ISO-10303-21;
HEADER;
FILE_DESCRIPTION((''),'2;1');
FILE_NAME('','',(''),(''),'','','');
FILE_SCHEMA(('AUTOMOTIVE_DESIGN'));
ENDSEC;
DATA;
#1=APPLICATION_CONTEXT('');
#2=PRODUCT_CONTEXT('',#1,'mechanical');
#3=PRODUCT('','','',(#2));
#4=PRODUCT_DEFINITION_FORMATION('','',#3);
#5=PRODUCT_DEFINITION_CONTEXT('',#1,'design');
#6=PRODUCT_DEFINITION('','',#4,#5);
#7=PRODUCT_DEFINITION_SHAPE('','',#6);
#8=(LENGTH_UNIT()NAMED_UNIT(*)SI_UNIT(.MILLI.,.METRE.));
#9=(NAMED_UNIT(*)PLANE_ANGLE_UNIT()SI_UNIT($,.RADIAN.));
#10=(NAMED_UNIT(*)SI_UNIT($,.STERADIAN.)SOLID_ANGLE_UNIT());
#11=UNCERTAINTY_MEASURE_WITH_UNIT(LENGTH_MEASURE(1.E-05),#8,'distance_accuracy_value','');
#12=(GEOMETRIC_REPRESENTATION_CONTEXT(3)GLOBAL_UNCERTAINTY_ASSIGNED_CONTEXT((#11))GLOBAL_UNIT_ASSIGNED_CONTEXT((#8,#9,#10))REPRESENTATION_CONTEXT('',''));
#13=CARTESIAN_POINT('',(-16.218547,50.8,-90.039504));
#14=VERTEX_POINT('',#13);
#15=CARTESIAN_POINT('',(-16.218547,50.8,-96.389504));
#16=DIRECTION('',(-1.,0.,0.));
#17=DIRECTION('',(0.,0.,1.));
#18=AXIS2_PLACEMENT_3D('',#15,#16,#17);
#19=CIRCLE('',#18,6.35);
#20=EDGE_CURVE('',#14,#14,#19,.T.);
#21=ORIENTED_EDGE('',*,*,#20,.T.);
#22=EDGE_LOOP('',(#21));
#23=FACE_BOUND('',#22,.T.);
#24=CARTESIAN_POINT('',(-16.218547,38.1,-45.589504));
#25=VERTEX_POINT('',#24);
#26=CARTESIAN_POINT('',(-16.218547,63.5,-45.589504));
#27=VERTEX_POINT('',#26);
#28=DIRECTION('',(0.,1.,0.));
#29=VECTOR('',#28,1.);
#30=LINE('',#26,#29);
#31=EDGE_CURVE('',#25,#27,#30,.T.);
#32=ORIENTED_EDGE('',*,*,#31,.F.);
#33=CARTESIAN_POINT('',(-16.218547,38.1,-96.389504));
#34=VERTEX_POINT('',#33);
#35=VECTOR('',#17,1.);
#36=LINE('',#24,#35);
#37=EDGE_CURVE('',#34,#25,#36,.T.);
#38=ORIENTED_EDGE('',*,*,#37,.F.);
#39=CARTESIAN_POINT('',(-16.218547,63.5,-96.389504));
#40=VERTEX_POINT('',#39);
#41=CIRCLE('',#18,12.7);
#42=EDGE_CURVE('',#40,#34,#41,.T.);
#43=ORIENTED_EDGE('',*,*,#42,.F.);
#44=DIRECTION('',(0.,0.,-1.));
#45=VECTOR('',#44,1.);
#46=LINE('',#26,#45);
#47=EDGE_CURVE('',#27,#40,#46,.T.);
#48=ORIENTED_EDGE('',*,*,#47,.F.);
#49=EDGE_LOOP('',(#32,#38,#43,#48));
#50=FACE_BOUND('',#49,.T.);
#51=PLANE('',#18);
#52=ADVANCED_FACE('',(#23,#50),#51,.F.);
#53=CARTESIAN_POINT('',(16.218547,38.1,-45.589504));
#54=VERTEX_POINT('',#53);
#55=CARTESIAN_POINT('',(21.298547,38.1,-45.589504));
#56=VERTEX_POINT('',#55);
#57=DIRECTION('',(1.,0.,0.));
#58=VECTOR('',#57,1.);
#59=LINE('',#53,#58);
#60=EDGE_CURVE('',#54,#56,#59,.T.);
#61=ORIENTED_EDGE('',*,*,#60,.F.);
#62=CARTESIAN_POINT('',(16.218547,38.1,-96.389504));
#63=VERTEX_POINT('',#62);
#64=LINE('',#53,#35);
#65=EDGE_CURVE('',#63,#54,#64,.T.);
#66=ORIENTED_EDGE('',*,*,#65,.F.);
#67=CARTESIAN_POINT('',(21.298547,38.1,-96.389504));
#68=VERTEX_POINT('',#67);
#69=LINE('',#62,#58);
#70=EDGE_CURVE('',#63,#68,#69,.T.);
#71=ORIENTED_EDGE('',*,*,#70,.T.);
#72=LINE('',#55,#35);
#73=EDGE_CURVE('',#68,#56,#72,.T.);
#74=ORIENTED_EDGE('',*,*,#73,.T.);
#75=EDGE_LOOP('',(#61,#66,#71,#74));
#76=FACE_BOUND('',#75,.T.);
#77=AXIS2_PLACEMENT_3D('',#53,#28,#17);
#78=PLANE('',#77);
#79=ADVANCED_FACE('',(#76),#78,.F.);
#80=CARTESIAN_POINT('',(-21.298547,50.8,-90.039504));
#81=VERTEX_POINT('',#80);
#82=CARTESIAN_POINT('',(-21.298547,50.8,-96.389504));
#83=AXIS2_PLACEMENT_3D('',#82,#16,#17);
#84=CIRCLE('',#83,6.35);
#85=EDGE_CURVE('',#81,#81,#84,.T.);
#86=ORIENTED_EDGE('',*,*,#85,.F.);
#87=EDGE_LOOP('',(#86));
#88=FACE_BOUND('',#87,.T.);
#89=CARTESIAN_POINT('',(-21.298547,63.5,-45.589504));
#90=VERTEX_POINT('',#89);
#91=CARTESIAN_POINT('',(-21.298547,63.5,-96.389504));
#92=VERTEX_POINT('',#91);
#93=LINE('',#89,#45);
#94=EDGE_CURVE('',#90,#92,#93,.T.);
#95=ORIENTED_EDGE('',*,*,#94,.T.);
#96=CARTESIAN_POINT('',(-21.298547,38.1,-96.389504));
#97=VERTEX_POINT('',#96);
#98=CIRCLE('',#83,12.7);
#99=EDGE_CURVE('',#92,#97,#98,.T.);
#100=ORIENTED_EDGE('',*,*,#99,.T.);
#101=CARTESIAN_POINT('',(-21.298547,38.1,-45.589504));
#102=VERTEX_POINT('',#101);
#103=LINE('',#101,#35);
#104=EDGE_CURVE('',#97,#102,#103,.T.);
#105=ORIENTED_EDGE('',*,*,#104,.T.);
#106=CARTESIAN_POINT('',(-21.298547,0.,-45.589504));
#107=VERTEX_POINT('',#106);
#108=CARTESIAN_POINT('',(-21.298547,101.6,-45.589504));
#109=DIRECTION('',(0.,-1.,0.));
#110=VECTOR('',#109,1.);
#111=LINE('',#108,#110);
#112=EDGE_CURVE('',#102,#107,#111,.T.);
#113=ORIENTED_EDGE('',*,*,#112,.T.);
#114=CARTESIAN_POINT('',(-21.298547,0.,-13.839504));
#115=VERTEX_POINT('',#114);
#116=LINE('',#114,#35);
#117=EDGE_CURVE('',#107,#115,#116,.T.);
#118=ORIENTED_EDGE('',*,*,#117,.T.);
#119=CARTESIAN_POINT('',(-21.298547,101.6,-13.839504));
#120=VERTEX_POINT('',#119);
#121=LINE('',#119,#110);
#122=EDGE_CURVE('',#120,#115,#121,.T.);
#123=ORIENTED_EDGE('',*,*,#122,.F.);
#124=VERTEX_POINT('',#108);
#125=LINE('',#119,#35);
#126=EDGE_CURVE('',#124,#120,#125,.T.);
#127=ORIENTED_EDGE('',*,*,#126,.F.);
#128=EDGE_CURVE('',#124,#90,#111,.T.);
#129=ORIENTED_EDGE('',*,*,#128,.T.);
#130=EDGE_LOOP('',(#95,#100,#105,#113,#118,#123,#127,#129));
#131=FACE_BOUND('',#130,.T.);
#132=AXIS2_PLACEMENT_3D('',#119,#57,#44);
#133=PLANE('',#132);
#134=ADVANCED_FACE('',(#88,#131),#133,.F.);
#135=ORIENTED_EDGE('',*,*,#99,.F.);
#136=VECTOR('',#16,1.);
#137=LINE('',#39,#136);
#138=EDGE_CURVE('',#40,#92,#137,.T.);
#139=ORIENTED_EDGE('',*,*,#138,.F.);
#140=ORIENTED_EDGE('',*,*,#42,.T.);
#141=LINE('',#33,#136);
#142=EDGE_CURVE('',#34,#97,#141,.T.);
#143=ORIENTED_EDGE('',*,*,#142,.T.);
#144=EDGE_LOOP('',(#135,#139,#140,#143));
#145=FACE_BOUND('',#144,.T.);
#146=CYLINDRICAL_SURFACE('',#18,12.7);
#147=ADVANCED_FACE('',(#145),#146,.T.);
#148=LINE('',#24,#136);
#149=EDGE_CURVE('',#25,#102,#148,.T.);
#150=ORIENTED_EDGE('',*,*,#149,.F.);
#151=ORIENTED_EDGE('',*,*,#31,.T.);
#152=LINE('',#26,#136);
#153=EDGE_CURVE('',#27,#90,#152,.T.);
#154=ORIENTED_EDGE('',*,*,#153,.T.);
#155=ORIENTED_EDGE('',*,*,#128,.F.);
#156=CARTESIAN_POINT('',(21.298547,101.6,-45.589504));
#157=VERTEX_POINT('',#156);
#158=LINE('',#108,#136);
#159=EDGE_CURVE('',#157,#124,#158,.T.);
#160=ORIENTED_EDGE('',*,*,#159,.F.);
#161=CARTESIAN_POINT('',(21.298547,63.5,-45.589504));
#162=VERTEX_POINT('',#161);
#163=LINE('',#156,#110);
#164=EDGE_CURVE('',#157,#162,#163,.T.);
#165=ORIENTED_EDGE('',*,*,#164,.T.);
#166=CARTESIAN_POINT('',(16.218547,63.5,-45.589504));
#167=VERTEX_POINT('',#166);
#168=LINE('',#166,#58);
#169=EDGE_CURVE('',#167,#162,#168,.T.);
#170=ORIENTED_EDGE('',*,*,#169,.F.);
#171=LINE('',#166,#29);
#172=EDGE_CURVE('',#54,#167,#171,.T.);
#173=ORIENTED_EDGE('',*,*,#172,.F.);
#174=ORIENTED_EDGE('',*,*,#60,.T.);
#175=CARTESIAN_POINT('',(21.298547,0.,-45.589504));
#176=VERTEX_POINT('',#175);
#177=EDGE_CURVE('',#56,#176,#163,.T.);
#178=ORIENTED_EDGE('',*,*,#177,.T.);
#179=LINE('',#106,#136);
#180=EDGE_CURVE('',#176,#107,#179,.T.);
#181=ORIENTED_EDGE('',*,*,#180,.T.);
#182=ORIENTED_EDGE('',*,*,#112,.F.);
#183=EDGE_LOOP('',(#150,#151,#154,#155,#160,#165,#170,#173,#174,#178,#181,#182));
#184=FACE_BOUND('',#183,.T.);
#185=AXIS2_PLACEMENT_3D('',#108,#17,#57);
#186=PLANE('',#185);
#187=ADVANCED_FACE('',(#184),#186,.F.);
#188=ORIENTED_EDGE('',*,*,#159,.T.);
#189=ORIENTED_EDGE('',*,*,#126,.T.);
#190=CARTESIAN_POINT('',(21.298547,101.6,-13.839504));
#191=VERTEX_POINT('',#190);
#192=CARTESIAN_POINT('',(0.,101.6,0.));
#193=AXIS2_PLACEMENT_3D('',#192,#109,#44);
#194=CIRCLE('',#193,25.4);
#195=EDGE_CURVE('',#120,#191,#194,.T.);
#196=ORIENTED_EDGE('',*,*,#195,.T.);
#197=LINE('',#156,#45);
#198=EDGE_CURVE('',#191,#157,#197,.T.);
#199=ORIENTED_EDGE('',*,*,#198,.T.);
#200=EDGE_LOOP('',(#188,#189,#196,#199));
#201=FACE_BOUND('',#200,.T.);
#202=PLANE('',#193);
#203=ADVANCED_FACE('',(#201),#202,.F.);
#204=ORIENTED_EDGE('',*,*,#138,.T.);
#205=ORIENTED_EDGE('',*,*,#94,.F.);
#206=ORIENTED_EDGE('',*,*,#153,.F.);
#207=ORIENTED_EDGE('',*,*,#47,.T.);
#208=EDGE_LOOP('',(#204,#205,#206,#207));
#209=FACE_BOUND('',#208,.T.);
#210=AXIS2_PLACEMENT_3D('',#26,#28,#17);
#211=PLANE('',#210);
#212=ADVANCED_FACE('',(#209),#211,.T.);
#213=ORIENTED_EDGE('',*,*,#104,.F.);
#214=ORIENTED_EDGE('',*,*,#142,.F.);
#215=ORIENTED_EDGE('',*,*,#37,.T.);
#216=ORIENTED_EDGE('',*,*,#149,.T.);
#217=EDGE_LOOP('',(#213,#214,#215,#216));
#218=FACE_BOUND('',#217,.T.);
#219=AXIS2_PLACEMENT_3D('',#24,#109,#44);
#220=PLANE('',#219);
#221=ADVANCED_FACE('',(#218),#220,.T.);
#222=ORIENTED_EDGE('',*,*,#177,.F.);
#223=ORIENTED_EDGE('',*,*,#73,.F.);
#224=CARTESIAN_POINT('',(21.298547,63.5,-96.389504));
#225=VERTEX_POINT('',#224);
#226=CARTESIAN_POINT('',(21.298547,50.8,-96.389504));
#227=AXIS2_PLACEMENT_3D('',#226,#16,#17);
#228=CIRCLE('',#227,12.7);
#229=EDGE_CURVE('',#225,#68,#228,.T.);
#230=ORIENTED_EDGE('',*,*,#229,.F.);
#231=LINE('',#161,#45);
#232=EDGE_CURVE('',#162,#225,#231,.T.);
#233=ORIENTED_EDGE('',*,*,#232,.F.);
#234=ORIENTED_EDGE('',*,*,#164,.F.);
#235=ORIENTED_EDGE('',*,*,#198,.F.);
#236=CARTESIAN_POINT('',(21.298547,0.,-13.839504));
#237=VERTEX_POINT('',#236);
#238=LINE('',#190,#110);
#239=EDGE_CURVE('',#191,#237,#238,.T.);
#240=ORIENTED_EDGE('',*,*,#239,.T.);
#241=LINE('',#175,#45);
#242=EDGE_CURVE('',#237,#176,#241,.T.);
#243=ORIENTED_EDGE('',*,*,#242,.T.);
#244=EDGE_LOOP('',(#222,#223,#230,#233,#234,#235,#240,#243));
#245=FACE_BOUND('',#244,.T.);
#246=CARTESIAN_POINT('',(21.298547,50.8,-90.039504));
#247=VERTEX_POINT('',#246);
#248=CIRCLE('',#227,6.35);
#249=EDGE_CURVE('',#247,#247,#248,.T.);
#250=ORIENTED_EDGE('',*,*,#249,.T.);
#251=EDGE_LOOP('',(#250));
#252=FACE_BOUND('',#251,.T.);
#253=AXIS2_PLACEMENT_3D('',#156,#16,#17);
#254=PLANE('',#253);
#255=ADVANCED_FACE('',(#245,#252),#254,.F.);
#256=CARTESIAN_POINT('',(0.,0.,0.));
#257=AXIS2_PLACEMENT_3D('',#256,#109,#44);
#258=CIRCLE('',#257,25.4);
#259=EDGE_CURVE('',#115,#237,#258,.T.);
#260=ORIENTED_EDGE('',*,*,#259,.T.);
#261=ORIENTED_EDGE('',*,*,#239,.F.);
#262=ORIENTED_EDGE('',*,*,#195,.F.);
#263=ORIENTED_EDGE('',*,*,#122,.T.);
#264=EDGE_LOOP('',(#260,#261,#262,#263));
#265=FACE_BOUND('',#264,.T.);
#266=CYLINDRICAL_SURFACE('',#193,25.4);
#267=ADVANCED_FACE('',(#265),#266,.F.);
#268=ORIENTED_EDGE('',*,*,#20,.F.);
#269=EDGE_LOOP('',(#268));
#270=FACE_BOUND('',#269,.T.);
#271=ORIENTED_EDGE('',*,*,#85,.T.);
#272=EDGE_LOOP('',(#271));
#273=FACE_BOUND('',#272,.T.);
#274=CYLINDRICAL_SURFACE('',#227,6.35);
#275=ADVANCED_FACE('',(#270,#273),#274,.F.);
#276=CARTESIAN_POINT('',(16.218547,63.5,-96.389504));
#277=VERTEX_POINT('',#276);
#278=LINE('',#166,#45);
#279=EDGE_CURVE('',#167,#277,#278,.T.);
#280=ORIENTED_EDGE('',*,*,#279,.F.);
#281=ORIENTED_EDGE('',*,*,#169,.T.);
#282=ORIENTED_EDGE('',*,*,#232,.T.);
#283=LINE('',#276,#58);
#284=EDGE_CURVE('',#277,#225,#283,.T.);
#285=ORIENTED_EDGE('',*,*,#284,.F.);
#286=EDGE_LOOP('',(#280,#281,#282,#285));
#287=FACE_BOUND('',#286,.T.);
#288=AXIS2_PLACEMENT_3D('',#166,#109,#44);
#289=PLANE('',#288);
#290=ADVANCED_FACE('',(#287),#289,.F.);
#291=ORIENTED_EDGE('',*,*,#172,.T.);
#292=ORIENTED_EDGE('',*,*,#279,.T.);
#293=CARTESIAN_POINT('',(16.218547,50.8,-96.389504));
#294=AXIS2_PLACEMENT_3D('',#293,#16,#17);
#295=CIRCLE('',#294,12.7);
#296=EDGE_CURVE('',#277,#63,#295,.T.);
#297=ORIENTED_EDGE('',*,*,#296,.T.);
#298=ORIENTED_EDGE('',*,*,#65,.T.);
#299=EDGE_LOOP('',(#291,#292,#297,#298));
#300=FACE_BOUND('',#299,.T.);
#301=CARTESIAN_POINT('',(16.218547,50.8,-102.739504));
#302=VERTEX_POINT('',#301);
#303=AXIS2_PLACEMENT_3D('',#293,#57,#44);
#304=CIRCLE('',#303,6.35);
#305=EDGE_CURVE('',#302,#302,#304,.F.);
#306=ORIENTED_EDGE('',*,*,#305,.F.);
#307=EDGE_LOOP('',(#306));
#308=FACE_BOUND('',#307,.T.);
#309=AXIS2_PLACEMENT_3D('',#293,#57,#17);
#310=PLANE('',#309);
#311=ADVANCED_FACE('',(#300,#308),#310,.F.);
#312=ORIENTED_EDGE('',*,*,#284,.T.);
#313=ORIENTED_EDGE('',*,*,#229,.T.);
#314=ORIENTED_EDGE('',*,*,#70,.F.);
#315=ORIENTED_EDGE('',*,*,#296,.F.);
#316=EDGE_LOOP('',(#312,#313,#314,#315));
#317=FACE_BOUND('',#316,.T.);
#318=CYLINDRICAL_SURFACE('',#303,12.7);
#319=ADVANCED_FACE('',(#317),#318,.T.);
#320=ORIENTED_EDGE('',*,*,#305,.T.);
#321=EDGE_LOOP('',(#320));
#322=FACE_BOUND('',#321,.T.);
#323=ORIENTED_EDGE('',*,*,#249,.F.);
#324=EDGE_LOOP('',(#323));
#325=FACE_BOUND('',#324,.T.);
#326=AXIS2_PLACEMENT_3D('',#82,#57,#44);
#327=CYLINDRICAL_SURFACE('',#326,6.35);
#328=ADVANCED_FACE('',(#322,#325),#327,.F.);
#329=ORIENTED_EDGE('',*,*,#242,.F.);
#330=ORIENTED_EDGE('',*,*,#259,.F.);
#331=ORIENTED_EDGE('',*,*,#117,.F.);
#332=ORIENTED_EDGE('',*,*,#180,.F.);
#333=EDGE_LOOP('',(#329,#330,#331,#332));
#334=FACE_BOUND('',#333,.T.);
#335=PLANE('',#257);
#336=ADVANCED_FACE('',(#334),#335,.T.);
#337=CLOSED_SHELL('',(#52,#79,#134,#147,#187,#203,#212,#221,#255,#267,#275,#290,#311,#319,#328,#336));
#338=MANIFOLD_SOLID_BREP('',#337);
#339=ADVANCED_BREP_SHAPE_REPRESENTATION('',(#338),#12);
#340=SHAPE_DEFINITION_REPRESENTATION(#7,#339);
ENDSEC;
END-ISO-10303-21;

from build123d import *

# Parameters (mm, degrees)
BOSS_EXTRUDE2_DEPTH = 101.6
BOSS_EXTRUDE3_DEPTH = 5.08
SKETCH4_R           = 6.35
CUT_EXTRUDE1_DEPTH  = 156.040615371


with BuildPart() as part:
    # Sketch1 → Boss-Extrude2 (new body)
    with BuildSketch(Plane(origin=(0, 0, 0), x_dir=(1, 0, 0), z_dir=(0, 1, 0))):
        with BuildLine():
            Line((-21.298547486, 13.839504146), (-21.298547486, 45.589504146))
            Line((-21.298547486, 45.589504146), (21.298547486, 45.589504146))
            Line((21.298547486, 45.589504146), (21.298547486, 13.839504146))
            ThreePointArc((21.298547486, 13.839504146), (0, 25.4), (-21.298547486, 13.839504146))
        make_face()
    extrude(amount=BOSS_EXTRUDE2_DEPTH)

    # Sketch3 → Boss-Extrude3 (add)
    with BuildSketch(Plane.ZY.offset(21.298547486)):
        with BuildLine():
            Line((-45.589504146, 63.5), (-96.389504146, 63.5))
            ThreePointArc((-96.389504146, 63.5), (-109.089504146, 50.8), (-96.389504146, 38.1))
            Line((-96.389504146, 38.1), (-45.589504146, 38.1))
            Line((-45.589504146, 38.1), (-45.589504146, 63.5))
        make_face()
    boss_extrude3 = extrude(amount=-BOSS_EXTRUDE3_DEPTH)

    # Sketch4 → Cut-Extrude1 (cut, through all)
    with BuildSketch(Plane.ZY.offset(21.298547486)):
        with Locations((-96.389504146, 50.8)):
            Circle(SKETCH4_R)
    cut_extrude1 = extrude(amount=-CUT_EXTRUDE1_DEPTH, mode=Mode.SUBTRACT)

    # Mirror1: Boss-Extrude3, Cut-Extrude1 across plane
    add(boss_extrude3.mirror(Plane(origin=(0, 0, 0), x_dir=(0, 0, 1), z_dir=(1, 0, 0))))
    add(cut_extrude1.mirror(Plane(origin=(0, 0, 0), x_dir=(0, 0, 1), z_dir=(1, 0, 0))), mode=Mode.SUBTRACT)


solid = part.part
